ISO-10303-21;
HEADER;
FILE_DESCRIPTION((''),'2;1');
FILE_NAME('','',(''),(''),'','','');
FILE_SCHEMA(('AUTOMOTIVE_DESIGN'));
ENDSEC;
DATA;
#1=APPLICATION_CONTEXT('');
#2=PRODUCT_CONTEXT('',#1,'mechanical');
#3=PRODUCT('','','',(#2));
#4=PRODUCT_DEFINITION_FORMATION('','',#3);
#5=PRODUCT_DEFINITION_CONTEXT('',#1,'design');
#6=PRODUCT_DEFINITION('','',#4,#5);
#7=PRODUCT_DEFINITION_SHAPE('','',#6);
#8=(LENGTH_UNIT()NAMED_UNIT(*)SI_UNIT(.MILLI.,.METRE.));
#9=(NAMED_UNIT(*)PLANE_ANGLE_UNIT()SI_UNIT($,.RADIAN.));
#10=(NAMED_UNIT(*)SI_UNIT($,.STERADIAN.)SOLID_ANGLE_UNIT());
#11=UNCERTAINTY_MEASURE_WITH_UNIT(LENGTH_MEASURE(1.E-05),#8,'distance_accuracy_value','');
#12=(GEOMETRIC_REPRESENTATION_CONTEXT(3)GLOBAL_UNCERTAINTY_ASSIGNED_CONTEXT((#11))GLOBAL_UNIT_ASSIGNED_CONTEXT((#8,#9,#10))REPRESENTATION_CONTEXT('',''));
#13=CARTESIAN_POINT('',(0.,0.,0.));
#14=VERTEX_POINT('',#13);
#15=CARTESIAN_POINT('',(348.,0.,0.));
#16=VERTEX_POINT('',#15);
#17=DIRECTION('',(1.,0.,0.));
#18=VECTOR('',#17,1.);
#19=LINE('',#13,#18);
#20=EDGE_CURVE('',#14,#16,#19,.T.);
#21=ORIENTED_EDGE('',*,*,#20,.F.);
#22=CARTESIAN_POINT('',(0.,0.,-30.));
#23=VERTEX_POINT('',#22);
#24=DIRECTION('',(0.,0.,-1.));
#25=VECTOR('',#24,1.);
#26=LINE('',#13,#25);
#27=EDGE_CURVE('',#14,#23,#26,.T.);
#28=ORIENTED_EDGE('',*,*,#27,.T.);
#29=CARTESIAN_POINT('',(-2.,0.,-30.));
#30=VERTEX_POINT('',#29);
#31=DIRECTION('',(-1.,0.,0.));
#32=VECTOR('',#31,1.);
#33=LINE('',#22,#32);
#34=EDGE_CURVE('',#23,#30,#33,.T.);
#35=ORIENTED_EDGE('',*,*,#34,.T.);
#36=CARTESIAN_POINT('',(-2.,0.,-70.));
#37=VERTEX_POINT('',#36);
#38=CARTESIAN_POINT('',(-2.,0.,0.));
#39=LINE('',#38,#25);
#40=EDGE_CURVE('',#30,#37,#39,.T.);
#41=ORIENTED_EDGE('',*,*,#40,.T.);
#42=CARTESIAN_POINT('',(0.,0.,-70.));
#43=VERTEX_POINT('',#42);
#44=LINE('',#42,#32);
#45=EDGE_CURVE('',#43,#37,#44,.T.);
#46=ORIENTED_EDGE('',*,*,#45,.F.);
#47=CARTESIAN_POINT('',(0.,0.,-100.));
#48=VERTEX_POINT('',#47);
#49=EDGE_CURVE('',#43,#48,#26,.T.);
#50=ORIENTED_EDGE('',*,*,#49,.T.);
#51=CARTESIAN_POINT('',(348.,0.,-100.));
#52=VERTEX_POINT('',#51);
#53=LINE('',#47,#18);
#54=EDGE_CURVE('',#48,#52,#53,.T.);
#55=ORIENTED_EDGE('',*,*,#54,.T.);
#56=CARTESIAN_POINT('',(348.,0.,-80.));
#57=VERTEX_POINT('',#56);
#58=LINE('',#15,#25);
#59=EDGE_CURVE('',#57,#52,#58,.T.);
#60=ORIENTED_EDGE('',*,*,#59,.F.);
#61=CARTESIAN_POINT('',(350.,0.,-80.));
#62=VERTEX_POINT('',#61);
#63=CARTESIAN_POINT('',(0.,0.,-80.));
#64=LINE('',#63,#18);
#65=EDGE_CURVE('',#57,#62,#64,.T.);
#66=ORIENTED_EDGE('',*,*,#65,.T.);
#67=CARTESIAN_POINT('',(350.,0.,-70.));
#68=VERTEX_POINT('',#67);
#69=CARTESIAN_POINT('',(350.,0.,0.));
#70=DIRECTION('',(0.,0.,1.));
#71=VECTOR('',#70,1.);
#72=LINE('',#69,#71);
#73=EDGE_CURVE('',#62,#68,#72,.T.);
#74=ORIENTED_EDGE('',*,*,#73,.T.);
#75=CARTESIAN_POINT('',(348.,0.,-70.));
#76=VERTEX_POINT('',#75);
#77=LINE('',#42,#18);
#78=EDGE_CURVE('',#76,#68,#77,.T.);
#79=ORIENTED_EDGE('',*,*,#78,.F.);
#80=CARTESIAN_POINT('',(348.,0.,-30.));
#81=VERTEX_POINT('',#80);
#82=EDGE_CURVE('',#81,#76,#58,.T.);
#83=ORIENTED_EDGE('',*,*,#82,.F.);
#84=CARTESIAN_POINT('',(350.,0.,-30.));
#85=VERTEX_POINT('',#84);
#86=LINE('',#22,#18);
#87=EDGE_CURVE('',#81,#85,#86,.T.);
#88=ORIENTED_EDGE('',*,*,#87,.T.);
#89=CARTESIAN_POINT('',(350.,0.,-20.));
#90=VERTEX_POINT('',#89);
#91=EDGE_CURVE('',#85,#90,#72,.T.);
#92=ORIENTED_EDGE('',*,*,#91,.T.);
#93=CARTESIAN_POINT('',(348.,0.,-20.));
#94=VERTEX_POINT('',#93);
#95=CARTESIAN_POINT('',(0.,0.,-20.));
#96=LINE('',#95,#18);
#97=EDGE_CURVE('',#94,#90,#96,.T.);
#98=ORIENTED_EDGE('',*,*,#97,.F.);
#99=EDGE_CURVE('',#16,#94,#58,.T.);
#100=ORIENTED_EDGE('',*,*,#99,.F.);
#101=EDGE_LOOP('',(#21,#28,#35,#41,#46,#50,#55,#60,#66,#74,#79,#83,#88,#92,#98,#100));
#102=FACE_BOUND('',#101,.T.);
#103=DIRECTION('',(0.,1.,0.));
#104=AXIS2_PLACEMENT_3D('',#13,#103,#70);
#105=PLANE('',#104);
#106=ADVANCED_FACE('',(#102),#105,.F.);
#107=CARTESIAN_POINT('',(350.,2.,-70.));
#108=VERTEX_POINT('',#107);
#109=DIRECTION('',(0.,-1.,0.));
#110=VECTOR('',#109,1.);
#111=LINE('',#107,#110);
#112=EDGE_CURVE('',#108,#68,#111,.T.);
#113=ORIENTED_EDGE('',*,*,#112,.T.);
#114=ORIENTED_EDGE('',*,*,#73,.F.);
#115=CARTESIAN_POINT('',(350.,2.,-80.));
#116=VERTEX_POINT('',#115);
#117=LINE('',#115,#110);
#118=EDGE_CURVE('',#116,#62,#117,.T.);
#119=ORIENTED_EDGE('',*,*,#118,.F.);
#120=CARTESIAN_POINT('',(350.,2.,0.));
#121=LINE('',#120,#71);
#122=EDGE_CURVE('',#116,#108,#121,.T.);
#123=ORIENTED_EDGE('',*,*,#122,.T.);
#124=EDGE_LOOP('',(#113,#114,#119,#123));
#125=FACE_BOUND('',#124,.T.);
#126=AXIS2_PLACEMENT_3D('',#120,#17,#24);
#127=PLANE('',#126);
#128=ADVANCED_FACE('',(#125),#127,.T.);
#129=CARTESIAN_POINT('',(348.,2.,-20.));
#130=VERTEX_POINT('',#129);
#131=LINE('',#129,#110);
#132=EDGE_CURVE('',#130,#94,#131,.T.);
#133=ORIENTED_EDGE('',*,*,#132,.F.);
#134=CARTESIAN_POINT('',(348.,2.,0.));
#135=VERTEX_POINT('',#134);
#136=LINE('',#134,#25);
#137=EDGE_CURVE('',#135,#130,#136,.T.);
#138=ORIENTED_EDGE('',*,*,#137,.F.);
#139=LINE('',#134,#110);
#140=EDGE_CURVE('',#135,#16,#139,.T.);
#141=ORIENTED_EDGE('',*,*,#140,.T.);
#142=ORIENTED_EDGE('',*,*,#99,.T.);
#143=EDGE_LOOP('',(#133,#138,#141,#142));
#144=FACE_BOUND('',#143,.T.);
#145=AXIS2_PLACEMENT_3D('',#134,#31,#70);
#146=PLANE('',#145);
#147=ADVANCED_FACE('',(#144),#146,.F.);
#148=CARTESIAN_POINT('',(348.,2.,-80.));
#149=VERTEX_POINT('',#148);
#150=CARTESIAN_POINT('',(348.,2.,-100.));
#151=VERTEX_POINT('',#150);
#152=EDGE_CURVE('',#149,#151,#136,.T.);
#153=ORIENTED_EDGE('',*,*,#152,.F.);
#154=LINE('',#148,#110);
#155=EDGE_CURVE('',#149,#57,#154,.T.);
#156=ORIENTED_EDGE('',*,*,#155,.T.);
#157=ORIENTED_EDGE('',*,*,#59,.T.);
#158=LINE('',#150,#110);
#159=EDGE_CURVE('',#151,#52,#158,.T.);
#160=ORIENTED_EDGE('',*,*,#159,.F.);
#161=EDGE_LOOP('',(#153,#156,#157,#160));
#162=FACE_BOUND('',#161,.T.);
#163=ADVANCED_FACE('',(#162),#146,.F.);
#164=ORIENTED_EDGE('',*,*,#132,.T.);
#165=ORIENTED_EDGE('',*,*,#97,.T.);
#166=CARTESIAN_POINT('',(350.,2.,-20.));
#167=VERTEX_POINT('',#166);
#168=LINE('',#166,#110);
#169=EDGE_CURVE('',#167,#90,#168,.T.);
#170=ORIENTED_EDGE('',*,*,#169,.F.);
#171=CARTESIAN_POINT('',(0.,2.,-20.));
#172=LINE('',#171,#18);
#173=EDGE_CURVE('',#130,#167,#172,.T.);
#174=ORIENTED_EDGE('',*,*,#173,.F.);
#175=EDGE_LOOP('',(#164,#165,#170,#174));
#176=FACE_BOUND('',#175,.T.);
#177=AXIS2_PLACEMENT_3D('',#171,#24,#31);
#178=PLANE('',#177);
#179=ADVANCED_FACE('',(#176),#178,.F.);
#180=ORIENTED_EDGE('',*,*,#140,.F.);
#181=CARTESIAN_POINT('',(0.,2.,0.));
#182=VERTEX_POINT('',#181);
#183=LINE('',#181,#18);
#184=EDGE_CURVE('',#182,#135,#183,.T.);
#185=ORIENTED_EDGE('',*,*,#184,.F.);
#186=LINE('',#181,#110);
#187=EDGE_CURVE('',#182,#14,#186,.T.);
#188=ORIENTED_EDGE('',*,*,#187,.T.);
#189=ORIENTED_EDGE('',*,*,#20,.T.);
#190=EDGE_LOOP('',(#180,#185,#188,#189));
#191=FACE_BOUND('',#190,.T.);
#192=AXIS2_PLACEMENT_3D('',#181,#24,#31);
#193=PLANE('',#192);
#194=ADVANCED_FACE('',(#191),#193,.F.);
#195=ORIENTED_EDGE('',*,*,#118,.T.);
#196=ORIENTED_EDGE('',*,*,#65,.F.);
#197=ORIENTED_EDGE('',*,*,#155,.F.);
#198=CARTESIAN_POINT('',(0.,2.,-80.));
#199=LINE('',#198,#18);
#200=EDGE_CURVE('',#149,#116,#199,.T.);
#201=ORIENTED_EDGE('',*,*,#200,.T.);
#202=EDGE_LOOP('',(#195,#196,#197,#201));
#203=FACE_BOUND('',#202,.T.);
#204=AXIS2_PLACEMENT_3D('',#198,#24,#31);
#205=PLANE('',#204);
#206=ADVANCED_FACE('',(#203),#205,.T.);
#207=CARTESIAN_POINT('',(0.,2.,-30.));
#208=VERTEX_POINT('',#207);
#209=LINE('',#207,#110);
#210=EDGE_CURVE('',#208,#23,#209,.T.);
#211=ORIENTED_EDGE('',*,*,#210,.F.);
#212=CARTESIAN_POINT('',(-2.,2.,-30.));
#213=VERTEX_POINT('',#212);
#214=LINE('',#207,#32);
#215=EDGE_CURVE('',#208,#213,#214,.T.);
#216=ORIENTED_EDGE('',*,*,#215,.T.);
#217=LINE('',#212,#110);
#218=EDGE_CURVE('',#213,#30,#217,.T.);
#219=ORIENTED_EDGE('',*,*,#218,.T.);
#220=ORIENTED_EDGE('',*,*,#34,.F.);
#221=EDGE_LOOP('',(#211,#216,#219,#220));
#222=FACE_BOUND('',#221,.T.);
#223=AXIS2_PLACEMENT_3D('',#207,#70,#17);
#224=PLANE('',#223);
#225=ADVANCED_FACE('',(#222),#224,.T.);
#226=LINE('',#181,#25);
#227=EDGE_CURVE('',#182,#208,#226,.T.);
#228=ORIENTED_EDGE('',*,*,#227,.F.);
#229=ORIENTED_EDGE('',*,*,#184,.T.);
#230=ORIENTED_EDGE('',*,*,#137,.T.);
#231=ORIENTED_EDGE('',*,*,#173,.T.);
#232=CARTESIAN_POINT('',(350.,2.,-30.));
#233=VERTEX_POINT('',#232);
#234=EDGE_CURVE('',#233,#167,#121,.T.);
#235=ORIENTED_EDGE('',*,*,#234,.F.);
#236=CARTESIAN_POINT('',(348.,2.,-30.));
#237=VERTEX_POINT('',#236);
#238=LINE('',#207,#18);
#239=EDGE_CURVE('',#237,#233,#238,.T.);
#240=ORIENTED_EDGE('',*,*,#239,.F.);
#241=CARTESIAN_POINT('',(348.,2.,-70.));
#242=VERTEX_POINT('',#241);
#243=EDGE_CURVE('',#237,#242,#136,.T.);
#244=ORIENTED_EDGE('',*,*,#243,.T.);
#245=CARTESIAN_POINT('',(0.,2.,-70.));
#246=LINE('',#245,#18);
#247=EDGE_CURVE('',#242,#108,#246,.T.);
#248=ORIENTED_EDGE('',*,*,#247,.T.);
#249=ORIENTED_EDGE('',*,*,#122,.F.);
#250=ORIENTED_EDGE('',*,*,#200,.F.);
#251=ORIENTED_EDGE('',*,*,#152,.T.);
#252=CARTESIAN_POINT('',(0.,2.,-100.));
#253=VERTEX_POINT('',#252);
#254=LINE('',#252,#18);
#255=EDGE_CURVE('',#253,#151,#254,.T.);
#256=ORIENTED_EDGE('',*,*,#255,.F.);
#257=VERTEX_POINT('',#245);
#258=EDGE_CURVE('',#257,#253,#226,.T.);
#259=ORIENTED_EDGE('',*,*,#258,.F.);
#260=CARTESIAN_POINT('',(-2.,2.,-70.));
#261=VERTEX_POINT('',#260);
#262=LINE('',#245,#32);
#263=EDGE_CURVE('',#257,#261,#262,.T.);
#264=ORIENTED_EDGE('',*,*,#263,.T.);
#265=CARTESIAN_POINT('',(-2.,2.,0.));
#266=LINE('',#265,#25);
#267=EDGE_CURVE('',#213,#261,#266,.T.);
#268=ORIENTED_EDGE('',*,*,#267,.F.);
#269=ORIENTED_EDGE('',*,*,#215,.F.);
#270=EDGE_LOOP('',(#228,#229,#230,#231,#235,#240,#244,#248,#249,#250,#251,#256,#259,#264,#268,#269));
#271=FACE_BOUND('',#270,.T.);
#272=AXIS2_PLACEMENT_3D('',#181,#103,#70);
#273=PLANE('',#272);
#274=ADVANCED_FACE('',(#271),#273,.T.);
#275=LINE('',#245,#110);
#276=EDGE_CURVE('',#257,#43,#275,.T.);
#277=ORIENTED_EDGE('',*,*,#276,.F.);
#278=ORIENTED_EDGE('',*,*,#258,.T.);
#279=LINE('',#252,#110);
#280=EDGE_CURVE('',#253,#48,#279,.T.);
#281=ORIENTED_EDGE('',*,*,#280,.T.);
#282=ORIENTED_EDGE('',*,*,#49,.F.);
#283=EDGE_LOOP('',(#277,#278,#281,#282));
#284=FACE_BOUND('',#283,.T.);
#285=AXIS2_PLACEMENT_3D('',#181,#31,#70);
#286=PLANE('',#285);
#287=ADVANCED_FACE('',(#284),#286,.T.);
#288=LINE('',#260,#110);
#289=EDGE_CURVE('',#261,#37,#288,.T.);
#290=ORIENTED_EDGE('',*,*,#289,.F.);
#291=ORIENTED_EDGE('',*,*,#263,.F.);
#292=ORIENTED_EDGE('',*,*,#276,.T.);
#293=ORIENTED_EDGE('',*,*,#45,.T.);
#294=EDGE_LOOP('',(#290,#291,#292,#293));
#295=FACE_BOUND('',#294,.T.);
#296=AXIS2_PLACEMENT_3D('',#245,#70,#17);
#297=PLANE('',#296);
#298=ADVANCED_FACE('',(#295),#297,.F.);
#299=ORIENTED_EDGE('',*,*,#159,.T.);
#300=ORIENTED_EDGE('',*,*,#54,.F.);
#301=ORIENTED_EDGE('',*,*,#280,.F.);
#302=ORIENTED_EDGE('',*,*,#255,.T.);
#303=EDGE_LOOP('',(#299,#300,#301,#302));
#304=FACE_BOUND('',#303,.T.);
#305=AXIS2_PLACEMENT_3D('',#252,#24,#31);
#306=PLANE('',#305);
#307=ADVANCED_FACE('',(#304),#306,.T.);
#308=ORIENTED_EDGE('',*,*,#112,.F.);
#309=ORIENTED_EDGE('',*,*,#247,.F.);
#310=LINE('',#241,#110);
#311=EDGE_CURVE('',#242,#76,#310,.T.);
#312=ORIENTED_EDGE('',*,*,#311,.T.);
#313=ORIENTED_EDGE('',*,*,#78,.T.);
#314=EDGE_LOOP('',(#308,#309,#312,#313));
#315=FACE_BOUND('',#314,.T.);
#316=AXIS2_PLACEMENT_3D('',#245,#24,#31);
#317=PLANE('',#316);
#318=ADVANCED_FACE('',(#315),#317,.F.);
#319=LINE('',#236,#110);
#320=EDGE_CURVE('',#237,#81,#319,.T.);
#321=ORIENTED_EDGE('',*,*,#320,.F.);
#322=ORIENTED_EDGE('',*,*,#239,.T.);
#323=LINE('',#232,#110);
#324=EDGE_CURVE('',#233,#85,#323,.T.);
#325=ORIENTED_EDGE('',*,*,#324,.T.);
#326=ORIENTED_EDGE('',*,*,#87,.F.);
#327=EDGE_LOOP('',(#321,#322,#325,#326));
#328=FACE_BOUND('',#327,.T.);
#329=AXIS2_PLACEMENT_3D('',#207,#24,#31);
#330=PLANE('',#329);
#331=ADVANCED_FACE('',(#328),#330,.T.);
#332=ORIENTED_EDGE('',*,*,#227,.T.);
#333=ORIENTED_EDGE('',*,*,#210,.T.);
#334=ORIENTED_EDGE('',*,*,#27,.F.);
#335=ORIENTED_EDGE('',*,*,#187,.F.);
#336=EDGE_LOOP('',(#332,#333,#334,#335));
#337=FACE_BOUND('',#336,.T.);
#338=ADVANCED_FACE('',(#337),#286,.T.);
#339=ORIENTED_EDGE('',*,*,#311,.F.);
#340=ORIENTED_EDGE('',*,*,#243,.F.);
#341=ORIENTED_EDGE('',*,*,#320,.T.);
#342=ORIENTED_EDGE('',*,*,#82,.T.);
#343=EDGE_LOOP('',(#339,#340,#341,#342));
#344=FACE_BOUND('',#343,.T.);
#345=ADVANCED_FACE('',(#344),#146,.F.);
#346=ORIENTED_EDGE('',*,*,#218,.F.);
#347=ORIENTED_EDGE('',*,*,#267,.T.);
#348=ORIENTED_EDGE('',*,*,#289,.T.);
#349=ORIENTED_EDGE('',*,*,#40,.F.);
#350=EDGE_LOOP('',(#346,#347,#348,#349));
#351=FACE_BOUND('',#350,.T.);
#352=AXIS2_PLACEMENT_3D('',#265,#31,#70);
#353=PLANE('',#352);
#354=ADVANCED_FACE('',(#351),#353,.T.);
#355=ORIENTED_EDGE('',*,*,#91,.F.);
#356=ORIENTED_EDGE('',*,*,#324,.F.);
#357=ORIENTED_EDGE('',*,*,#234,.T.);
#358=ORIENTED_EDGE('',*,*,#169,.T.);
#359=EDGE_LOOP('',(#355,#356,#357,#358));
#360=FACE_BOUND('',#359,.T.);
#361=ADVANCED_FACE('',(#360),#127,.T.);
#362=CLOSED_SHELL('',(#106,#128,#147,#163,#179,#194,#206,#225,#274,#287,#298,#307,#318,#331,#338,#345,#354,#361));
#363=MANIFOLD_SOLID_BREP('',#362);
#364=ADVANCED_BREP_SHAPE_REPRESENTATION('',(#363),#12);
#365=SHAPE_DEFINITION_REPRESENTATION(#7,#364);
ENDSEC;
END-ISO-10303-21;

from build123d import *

# Parameters (mm, degrees)
SKETCH_1_W      = 2
SKETCH_1_H      = 10
SKETCH_1_W_2    = 348
SKETCH_1_H_2    = 100
SKETCH_1_H_3    = 40
EXTRUDE_1_DEPTH = 2


with BuildPart() as part:
    # 草图1 → 凸台-拉伸1 (new body)
    with BuildSketch(Plane(origin=(0, 0, 0), x_dir=(1, 0, 0), z_dir=(0, 1, 0))):
        with Locations((349, 25)):
            Rectangle(SKETCH_1_W, SKETCH_1_H)
        with Locations((349, 75)):
            Rectangle(SKETCH_1_W, SKETCH_1_H)
        with Locations((174, 50)):
            Rectangle(SKETCH_1_W_2, SKETCH_1_H_2)
        with Locations((-1, 50)):
            Rectangle(SKETCH_1_W, SKETCH_1_H_3)
    extrude(amount=EXTRUDE_1_DEPTH)


solid = part.part
